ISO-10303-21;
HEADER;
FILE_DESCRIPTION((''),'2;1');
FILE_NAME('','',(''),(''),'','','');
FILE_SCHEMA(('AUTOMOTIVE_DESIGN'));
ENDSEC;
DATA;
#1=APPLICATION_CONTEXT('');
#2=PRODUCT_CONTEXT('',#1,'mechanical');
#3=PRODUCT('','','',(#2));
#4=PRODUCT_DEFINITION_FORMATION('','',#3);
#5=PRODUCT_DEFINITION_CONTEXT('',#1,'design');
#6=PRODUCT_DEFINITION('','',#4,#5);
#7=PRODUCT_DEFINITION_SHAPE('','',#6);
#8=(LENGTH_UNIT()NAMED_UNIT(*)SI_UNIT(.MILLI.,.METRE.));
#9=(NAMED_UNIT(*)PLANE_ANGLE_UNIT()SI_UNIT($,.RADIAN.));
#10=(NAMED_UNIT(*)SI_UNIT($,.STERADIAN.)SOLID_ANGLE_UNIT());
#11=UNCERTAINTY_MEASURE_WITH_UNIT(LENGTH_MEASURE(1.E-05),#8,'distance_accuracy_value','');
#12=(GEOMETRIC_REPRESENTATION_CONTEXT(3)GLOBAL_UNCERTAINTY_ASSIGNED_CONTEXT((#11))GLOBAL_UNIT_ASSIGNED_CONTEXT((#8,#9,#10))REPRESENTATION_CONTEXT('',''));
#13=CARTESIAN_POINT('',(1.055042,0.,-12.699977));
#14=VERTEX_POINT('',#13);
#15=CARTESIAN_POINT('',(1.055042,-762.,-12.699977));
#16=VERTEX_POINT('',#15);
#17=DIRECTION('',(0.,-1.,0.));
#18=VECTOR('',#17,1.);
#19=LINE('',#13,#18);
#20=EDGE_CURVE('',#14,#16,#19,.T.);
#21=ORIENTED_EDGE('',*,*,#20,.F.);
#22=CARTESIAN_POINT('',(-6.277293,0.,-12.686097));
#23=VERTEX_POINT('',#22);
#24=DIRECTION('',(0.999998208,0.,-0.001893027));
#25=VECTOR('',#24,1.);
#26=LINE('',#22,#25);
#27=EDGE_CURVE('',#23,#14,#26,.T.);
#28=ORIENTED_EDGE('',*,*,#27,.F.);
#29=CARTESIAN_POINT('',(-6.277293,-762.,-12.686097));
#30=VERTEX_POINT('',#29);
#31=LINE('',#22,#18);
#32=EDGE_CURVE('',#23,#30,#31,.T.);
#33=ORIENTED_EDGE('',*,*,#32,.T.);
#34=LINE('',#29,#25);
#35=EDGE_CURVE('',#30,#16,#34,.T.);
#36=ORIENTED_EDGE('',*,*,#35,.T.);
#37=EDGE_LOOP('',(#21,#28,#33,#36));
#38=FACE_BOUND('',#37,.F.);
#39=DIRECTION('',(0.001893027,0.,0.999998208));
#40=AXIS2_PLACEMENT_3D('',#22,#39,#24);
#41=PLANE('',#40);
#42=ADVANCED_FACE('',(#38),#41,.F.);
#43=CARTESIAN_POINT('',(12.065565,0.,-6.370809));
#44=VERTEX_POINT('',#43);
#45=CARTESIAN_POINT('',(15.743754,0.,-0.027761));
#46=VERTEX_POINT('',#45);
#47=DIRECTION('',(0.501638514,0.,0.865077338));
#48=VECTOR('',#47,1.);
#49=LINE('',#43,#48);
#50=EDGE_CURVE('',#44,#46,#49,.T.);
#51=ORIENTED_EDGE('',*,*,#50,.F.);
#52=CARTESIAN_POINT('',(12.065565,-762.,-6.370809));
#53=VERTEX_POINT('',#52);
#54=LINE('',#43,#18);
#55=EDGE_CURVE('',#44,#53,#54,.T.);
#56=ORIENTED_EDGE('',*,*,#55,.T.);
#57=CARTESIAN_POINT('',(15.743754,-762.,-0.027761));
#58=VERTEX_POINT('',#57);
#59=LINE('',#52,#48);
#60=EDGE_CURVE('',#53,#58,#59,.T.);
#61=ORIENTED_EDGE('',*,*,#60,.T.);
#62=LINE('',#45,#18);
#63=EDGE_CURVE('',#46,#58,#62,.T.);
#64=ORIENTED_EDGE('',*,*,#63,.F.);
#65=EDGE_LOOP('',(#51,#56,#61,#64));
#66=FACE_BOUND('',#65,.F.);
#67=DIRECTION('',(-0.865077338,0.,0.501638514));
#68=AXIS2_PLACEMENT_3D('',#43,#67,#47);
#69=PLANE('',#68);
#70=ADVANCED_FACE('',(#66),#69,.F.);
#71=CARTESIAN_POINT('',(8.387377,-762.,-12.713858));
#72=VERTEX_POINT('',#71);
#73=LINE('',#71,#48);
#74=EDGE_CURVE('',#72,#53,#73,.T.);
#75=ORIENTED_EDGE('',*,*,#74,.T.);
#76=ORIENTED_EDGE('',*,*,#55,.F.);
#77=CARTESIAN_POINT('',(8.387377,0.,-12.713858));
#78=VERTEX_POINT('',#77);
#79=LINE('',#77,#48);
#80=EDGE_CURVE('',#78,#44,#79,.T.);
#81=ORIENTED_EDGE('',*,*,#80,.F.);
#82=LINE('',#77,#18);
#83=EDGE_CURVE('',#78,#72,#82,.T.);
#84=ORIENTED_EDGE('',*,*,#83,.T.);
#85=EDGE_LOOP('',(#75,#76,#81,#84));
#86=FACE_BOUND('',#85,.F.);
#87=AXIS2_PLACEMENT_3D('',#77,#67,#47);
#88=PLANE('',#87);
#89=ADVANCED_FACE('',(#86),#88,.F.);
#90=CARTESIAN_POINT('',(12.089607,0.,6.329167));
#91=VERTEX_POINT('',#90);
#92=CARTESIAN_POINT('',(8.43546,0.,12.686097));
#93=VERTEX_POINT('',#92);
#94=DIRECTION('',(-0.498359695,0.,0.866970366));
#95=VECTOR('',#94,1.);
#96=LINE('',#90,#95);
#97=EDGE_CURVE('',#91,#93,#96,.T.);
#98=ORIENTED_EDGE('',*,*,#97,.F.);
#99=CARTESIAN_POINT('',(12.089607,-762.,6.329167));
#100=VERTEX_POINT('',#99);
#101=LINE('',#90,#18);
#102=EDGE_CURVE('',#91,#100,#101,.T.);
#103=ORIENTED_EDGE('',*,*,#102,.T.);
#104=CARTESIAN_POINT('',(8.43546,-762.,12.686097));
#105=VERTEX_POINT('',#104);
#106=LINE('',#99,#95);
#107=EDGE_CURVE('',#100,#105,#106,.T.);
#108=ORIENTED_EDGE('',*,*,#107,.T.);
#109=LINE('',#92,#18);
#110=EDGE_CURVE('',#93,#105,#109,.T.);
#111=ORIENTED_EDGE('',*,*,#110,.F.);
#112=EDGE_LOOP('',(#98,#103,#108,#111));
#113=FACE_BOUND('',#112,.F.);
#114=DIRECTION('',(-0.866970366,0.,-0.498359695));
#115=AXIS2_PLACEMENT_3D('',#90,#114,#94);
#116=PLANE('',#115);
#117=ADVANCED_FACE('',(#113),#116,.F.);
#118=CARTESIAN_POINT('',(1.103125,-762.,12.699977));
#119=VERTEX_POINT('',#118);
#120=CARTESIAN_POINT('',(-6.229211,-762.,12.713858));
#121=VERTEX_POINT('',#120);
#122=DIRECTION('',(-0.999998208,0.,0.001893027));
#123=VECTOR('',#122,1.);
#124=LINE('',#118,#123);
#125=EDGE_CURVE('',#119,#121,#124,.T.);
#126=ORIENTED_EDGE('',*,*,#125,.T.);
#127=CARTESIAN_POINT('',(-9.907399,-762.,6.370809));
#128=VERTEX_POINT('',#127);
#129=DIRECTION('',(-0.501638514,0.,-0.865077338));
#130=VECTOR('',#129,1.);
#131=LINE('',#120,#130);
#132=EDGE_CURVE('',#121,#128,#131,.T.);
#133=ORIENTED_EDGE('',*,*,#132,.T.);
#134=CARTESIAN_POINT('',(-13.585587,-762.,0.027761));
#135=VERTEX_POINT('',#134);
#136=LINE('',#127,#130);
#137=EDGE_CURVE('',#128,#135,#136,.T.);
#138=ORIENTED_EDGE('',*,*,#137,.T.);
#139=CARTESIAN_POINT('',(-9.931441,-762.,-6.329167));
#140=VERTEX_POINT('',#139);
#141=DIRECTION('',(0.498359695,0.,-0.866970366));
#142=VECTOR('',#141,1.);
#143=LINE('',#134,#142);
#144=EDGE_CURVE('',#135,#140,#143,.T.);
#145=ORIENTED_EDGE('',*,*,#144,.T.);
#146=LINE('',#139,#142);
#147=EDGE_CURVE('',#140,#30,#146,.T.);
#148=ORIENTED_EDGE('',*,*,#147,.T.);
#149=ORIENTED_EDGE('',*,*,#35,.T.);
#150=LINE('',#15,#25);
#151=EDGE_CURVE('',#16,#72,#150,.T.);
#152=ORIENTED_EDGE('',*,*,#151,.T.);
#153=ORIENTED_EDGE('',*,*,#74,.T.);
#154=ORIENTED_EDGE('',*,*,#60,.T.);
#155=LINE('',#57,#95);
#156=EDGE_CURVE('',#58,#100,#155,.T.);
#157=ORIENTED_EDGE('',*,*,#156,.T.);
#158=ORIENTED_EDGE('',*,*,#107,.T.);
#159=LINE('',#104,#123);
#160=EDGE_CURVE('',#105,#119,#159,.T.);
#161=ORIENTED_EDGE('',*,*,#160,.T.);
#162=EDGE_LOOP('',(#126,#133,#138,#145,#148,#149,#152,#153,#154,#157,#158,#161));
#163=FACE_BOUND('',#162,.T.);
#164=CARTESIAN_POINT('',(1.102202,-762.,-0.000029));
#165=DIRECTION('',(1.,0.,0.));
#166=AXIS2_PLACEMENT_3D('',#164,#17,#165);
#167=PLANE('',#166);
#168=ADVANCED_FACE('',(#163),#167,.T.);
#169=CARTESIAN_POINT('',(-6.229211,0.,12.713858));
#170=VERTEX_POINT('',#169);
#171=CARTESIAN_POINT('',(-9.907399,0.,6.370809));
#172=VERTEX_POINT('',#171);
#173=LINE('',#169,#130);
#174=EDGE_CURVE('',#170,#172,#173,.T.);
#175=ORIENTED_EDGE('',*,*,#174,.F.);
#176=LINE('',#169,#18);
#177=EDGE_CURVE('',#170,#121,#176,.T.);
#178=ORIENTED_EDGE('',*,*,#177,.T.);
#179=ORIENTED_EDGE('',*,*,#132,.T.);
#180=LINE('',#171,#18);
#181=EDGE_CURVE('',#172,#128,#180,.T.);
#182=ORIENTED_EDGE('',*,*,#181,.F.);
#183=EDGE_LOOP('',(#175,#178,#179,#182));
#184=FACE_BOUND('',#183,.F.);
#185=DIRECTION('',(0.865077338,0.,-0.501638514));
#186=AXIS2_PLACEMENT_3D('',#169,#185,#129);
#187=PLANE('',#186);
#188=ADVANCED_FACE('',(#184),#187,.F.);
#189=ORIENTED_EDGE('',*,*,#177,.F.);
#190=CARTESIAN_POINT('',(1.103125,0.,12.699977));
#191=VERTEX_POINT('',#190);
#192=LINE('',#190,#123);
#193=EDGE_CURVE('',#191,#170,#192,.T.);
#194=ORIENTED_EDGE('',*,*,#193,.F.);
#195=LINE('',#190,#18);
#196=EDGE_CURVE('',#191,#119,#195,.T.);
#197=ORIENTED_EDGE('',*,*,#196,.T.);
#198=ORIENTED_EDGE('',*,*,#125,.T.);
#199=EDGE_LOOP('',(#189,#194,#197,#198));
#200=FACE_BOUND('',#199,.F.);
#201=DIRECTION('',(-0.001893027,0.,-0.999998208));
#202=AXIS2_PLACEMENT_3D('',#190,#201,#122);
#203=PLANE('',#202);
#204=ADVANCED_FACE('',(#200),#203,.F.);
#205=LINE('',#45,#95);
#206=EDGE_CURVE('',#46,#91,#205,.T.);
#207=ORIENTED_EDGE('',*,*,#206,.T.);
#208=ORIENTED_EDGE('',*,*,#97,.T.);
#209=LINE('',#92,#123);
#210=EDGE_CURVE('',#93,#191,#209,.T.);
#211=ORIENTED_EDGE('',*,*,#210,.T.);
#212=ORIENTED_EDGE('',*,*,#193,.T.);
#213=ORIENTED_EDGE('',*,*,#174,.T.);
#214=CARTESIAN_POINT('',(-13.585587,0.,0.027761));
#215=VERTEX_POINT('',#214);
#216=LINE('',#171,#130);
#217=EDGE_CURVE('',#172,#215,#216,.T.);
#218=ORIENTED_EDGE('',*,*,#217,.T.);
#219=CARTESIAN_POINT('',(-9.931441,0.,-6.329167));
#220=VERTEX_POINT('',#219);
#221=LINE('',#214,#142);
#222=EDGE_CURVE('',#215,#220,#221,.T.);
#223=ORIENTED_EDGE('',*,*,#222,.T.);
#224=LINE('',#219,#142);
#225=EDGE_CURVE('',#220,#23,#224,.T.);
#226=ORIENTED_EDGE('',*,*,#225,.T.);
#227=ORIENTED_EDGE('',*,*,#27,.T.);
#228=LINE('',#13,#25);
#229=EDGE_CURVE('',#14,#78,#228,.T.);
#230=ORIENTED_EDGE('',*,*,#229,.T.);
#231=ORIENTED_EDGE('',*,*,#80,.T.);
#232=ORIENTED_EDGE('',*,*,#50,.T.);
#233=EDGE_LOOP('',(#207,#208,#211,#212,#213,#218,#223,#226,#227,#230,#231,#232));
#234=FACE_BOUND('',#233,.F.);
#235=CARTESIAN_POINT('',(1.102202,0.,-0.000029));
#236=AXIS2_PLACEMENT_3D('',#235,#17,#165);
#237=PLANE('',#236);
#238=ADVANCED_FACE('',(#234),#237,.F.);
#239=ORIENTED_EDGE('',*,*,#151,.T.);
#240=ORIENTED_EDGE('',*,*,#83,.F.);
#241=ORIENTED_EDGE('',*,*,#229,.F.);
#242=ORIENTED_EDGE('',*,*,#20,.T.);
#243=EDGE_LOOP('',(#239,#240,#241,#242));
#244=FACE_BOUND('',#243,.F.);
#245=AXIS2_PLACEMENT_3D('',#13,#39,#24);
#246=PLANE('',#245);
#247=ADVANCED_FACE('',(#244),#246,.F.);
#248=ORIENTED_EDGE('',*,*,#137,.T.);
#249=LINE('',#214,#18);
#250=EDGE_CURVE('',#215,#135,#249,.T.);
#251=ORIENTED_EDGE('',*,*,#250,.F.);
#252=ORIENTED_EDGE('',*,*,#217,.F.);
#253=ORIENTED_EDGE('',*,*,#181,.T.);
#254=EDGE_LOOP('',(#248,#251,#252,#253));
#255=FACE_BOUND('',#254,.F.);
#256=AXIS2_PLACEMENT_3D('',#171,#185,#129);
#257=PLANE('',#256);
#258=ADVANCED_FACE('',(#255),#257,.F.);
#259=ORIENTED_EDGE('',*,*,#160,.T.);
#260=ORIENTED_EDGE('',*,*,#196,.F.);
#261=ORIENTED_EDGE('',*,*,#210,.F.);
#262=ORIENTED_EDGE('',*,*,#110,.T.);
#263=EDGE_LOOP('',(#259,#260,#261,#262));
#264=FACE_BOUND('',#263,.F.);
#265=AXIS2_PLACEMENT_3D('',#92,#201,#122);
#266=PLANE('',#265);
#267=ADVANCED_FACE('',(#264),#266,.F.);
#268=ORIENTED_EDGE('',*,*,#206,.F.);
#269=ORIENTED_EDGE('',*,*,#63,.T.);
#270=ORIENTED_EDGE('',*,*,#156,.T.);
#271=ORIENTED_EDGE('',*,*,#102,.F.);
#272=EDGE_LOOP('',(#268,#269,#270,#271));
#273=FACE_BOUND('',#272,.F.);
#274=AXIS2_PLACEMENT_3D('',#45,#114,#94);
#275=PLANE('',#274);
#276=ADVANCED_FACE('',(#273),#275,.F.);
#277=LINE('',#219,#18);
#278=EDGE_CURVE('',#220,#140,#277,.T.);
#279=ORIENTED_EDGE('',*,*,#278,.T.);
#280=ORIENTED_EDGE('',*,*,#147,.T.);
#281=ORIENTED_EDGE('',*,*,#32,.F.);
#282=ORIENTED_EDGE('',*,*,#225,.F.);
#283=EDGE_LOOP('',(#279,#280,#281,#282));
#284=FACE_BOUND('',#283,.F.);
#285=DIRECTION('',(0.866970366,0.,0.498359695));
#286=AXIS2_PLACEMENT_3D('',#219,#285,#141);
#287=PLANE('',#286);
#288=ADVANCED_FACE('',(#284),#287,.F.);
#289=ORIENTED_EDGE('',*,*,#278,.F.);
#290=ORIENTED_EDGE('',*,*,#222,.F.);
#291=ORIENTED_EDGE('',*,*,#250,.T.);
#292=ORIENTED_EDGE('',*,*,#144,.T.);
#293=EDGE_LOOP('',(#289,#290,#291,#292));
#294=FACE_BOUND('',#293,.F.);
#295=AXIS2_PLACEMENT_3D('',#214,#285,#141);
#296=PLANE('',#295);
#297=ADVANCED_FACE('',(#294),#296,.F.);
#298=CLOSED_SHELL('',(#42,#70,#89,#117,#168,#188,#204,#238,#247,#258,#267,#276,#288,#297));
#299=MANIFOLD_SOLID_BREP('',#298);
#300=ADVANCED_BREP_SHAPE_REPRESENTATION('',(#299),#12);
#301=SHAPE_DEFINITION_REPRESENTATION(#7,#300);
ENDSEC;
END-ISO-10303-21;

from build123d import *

# Parameters (mm, degrees)
F1_DEPTH = 762


with BuildPart() as f1:
    # F0 (on Front) → F1 (new body)
    with BuildSketch(Plane.XZ):
        with BuildLine():
            ThreePointArc((12.0655654255, -6.3708091471), (13.3432245421, -3.2986115446), (13.7790832401, 0))
            ThreePointArc((13.7790832401, 0), (13.3494470463, 3.2753888416), (12.0896073245, 6.3291673532))
            ThreePointArc((12.0896073245, 6.3291673532), (7.4498926826, 10.9864820141), (1.1031245361, 12.6999772447))
            ThreePointArc((1.1031245361, 12.6999772447), (-5.2500849121, 11.0105236252), (-9.907398921, 6.3708091892))
            ThreePointArc((-9.907398921, 6.3708091892), (-11.6208940036, 0.0240418665), (-9.9314407864, -6.3291674542))
            ThreePointArc((-9.9314407864, -6.3291674542), (-5.2917262338, -10.986481996), (1.055041755, -12.6999772443))
            ThreePointArc((1.055041755, -12.6999772443), (7.4082513314, -11.0105236602), (12.0655654255, -6.3708091471))
        make_face()
        with BuildLine():
            ThreePointArc((12.0896073245, 6.3291673532), (13.3494470463, 3.2753888416), (13.7790832401, 0))
            ThreePointArc((13.7790832401, 0), (13.3432245421, -3.2986115446), (12.0655654255, -6.3708091471))
            Line((12.0655654255, -6.3708091471), (15.7437538016, -0.027760669))
            Line((15.7437538016, -0.027760669), (12.0896073245, 6.3291673532))
        make_face()
        with BuildLine():
            ThreePointArc((1.1031245361, 12.6999772447), (7.4498926826, 10.9864820141), (12.0896073245, 6.3291673532))
            Line((12.0896073245, 6.3291673532), (8.4354599654, 12.6860969099))
            Line((8.4354599654, 12.6860969099), (1.1031245361, 12.6999772447))
        make_face()
        with BuildLine():
            Line((8.3873770762, -12.7138575789), (12.0655654255, -6.3708091471))
            ThreePointArc((12.0655654255, -6.3708091471), (7.4082513314, -11.0105236602), (1.055041755, -12.6999772443))
            Line((1.055041755, -12.6999772443), (8.3873770762, -12.7138575789))
        make_face()
        with BuildLine():
            ThreePointArc((-9.907398921, 6.3708091892), (-5.2500849121, 11.0105236252), (1.1031245361, 12.6999772447))
            Line((1.1031245361, 12.6999772447), (-6.2292105961, 12.7138575789))
            Line((-6.2292105961, 12.7138575789), (-9.907398921, 6.3708091892))
        make_face()
        with BuildLine():
            Line((-6.2772934853, -12.6860969099), (1.055041755, -12.6999772443))
            ThreePointArc((1.055041755, -12.6999772443), (-5.2917262338, -10.986481996), (-9.9314407864, -6.3291674542))
            Line((-9.9314407864, -6.3291674542), (-6.2772934853, -12.6860969099))
        make_face()
        with BuildLine():
            ThreePointArc((-9.9314407864, -6.3291674542), (-11.6208940036, 0.0240418665), (-9.907398921, 6.3708091892))
            Line((-9.907398921, 6.3708091892), (-13.5855873215, 0.027760669))
            Line((-13.5855873215, 0.027760669), (-9.9314407864, -6.3291674542))
        make_face()
    extrude(amount=F1_DEPTH)


solid = f1.part
